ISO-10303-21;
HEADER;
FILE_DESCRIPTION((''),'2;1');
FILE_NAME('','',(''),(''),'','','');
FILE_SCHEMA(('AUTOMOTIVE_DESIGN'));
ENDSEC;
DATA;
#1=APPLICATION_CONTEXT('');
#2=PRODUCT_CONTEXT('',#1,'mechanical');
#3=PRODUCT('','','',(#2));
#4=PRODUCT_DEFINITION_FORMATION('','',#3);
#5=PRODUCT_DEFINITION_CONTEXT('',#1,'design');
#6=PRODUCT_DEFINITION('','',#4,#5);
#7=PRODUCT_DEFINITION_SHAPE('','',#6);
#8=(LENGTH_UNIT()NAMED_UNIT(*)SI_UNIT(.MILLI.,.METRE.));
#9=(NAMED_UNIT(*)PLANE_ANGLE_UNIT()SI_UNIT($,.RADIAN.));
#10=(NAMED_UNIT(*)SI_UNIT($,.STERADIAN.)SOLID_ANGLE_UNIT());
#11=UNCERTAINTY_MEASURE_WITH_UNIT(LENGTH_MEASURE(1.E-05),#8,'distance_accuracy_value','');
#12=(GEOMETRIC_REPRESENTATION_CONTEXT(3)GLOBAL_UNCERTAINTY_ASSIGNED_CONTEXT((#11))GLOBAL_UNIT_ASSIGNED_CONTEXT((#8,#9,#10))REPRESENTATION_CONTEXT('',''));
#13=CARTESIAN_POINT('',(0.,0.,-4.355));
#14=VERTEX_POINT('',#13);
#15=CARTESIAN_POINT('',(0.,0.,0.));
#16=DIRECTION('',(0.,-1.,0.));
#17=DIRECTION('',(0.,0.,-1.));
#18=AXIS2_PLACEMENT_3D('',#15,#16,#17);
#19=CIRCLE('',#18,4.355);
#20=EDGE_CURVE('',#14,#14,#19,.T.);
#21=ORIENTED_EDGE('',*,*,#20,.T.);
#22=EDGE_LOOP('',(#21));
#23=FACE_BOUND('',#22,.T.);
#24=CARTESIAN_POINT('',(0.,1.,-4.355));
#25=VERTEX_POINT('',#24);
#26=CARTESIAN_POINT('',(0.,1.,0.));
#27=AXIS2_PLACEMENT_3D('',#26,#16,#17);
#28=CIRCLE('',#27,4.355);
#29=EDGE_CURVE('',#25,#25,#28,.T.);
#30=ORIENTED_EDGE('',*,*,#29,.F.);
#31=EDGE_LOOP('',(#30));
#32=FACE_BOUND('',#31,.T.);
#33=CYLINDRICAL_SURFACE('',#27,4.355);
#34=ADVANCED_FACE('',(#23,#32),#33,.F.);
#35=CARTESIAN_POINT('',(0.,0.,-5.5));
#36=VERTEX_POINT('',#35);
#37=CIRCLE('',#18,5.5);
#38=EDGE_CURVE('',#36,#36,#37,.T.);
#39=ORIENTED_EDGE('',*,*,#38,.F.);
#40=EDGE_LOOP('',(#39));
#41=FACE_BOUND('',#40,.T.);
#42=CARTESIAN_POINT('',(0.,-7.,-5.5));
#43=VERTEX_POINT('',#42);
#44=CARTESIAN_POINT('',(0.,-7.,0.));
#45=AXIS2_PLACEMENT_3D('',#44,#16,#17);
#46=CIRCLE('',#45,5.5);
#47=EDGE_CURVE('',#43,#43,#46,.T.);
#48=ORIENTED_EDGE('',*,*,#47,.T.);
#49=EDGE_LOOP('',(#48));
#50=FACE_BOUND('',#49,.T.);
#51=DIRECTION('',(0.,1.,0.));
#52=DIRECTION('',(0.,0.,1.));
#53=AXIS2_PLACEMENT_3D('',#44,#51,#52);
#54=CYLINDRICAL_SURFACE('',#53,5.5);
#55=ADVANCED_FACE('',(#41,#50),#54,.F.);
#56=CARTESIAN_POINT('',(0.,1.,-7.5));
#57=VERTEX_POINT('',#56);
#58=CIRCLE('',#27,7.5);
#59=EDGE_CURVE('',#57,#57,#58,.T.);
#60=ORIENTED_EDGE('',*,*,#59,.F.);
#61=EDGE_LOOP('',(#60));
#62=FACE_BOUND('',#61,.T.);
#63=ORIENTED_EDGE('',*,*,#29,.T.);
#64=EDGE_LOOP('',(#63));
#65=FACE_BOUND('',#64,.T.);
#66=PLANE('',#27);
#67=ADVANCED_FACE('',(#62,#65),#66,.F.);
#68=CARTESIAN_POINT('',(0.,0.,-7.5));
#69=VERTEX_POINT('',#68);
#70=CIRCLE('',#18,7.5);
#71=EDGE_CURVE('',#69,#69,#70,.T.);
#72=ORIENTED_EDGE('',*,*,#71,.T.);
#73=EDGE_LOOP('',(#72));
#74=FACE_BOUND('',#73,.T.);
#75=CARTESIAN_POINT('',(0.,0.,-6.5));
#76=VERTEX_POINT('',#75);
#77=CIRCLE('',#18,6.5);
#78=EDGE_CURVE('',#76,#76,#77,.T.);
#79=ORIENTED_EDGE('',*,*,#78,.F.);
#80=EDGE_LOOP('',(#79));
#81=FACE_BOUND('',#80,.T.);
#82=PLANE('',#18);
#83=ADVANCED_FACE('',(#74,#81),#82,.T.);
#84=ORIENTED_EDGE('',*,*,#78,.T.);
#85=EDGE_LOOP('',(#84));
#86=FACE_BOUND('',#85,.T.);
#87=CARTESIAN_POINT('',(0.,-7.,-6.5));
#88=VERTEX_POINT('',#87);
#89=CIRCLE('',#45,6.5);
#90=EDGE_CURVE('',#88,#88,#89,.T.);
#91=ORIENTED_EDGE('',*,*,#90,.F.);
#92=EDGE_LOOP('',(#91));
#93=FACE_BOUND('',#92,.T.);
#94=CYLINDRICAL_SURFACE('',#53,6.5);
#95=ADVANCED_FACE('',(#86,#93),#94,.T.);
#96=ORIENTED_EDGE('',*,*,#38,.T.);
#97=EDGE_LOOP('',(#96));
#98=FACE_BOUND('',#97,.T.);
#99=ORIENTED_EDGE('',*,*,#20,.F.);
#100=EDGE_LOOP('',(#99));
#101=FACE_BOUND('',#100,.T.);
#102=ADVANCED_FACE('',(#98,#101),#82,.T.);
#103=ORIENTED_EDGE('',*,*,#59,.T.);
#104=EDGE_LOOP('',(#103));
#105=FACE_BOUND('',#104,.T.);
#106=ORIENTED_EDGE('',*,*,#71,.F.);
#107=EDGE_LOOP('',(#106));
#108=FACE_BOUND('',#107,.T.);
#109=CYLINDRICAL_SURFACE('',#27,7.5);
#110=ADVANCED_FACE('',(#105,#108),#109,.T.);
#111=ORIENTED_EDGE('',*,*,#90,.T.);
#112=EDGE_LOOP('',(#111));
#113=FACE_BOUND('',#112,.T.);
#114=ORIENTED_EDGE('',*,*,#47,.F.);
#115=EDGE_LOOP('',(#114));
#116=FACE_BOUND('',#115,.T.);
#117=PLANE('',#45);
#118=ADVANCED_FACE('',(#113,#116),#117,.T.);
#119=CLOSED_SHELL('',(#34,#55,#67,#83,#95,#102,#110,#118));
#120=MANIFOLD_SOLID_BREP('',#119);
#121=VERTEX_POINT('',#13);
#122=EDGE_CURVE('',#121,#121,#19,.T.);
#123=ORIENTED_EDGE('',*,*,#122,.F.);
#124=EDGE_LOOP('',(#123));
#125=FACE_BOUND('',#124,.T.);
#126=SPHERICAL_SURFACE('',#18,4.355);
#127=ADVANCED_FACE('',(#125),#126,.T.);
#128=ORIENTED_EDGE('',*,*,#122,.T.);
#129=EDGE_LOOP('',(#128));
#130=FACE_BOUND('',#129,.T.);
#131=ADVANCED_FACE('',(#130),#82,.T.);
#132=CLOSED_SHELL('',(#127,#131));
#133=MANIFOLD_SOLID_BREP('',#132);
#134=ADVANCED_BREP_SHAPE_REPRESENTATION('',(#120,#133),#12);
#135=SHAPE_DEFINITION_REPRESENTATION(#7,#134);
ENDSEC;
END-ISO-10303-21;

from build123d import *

# Parameters (mm, degrees)
REVOLVE_1_ANGLE = 180
SKETCH_5_R      = 7.5
SKETCH_5_R_2    = 4.355
EXTRUDE_1_DEPTH = 1
SKETCH_5_4_R    = 6.5
SKETCH_5_4_R_2  = 5.5
EXTRUDE_2_DEPTH = 7


with BuildPart() as part:
    # 草图1 → 旋转1 (revolve)
    with BuildSketch(Plane(origin=(0, 0, 0), x_dir=(1, 0, 0), z_dir=(0, 1, 0))):
        with BuildLine():
            Line((-4.355, 0), (4.355, 0))
            ThreePointArc((4.355, 0), (0, 4.355), (-4.355, 0))
        make_face()
    revolve(axis=Axis((-4.355, 0, 0), (1, 0, 0)), revolution_arc=REVOLVE_1_ANGLE)


with BuildPart() as body_2:
    # 草图5 → 凸台-拉伸1 (new body)
    with BuildSketch(Plane.XZ):
        Circle(SKETCH_5_R)
        Circle(SKETCH_5_R_2, mode=Mode.SUBTRACT)
    extrude(amount=-EXTRUDE_1_DEPTH)

    # 草图5<4> → 凸台-拉伸2 (add)
    with BuildSketch(Plane.XZ):
        Circle(SKETCH_5_4_R)
        Circle(SKETCH_5_4_R_2, mode=Mode.SUBTRACT)
    extrude(amount=EXTRUDE_2_DEPTH)


solid = Compound([part.part, body_2.part])
